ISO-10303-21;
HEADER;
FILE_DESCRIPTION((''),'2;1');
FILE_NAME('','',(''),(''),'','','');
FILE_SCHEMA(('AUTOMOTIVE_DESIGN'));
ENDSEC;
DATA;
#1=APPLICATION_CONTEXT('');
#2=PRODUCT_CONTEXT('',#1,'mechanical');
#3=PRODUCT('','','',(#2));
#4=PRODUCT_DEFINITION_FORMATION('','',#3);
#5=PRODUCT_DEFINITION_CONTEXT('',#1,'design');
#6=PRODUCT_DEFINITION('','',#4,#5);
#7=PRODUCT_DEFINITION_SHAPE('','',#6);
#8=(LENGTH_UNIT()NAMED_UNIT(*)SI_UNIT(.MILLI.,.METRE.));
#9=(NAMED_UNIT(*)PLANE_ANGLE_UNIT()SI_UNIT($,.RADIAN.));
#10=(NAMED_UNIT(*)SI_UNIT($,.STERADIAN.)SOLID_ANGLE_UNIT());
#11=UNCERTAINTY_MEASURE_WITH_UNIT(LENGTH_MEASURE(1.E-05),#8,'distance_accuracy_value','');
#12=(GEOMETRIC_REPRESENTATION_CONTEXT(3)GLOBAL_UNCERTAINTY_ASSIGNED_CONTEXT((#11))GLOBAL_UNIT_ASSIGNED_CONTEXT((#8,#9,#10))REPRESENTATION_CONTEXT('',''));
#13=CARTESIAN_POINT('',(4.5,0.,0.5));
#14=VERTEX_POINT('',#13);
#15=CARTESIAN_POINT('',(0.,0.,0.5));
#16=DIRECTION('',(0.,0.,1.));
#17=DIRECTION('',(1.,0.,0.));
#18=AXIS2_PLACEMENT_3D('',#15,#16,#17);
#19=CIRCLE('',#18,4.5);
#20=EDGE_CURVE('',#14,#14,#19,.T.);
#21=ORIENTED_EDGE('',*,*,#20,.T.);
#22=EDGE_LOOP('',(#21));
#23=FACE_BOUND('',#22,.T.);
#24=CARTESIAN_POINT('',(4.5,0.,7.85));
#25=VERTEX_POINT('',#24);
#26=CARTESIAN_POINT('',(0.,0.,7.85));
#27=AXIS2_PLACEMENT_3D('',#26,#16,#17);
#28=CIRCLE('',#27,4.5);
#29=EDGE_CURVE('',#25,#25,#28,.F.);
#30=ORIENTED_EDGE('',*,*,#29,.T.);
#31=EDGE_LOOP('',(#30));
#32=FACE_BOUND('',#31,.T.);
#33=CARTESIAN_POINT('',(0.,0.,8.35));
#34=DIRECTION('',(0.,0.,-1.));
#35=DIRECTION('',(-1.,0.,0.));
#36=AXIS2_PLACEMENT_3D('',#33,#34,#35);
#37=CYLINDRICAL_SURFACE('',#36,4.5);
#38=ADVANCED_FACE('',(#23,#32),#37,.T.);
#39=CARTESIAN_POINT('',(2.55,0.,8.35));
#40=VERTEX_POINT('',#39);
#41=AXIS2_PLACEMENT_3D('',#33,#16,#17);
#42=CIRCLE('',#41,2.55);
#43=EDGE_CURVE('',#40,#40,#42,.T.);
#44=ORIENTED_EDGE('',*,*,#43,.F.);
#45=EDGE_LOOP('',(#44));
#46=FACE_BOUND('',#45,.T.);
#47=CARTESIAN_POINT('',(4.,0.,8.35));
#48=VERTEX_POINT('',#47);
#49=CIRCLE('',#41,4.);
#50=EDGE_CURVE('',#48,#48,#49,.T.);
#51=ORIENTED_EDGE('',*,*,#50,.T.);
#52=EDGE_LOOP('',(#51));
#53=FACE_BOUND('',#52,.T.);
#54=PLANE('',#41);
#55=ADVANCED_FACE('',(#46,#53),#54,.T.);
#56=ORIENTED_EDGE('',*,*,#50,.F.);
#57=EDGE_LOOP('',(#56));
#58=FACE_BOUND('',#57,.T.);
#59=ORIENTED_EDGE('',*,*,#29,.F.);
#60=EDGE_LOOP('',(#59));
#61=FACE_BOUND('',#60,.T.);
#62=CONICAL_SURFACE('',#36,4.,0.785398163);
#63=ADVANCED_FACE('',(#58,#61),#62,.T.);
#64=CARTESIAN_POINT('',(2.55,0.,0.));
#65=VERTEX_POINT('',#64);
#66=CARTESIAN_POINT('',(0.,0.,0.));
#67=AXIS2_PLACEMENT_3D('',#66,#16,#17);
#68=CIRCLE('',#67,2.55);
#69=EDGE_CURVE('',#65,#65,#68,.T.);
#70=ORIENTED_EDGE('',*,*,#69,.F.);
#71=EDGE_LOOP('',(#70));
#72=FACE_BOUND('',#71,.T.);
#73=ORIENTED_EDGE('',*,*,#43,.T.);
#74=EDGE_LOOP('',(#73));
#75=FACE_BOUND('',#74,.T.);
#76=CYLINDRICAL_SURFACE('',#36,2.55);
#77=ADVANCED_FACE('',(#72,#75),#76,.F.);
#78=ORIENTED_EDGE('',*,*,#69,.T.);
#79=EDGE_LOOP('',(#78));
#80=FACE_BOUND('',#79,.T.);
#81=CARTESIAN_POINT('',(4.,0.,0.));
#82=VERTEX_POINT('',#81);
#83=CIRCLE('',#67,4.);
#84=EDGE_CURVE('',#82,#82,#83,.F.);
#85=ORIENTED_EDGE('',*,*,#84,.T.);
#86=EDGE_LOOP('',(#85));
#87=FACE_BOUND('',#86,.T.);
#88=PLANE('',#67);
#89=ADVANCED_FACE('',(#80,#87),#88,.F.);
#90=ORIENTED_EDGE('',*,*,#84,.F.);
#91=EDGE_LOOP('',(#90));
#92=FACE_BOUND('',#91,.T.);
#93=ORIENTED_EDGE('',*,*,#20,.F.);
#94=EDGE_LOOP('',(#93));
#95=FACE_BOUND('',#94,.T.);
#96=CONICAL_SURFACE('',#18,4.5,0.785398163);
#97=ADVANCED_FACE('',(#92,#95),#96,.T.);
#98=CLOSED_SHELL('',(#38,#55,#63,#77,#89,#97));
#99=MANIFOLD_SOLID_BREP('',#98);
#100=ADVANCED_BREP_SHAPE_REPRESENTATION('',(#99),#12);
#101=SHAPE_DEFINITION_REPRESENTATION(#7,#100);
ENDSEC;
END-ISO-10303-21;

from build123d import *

# Parameters (mm, degrees)
SKETCH1_R           = 4.5
BOSS_EXTRUDE1_DEPTH = 8.35
SKETCH2_R           = 2.55
CUT_EXTRUDE1_DEPTH  = 11.498690395
CHAMFER1_SIZE       = 0.5


with BuildPart() as part:
    # Sketch1 → Boss-Extrude1 (new body)
    with BuildSketch(Plane.XY):
        Circle(SKETCH1_R)
    extrude(amount=BOSS_EXTRUDE1_DEPTH)

    # Sketch2 → Cut-Extrude1 (cut, through all)
    with BuildSketch(Plane.XY):
        Circle(SKETCH2_R)
    extrude(amount=CUT_EXTRUDE1_DEPTH, mode=Mode.SUBTRACT)

    # Chamfer1
    chamfer1_edges = [part.edges().sort_by_distance(p)[0] for p in [
        (-4.5, 0, 0),
        (-4.5, 0, 8.35),
    ]]
    chamfer(chamfer1_edges, length=CHAMFER1_SIZE)


solid = part.part
